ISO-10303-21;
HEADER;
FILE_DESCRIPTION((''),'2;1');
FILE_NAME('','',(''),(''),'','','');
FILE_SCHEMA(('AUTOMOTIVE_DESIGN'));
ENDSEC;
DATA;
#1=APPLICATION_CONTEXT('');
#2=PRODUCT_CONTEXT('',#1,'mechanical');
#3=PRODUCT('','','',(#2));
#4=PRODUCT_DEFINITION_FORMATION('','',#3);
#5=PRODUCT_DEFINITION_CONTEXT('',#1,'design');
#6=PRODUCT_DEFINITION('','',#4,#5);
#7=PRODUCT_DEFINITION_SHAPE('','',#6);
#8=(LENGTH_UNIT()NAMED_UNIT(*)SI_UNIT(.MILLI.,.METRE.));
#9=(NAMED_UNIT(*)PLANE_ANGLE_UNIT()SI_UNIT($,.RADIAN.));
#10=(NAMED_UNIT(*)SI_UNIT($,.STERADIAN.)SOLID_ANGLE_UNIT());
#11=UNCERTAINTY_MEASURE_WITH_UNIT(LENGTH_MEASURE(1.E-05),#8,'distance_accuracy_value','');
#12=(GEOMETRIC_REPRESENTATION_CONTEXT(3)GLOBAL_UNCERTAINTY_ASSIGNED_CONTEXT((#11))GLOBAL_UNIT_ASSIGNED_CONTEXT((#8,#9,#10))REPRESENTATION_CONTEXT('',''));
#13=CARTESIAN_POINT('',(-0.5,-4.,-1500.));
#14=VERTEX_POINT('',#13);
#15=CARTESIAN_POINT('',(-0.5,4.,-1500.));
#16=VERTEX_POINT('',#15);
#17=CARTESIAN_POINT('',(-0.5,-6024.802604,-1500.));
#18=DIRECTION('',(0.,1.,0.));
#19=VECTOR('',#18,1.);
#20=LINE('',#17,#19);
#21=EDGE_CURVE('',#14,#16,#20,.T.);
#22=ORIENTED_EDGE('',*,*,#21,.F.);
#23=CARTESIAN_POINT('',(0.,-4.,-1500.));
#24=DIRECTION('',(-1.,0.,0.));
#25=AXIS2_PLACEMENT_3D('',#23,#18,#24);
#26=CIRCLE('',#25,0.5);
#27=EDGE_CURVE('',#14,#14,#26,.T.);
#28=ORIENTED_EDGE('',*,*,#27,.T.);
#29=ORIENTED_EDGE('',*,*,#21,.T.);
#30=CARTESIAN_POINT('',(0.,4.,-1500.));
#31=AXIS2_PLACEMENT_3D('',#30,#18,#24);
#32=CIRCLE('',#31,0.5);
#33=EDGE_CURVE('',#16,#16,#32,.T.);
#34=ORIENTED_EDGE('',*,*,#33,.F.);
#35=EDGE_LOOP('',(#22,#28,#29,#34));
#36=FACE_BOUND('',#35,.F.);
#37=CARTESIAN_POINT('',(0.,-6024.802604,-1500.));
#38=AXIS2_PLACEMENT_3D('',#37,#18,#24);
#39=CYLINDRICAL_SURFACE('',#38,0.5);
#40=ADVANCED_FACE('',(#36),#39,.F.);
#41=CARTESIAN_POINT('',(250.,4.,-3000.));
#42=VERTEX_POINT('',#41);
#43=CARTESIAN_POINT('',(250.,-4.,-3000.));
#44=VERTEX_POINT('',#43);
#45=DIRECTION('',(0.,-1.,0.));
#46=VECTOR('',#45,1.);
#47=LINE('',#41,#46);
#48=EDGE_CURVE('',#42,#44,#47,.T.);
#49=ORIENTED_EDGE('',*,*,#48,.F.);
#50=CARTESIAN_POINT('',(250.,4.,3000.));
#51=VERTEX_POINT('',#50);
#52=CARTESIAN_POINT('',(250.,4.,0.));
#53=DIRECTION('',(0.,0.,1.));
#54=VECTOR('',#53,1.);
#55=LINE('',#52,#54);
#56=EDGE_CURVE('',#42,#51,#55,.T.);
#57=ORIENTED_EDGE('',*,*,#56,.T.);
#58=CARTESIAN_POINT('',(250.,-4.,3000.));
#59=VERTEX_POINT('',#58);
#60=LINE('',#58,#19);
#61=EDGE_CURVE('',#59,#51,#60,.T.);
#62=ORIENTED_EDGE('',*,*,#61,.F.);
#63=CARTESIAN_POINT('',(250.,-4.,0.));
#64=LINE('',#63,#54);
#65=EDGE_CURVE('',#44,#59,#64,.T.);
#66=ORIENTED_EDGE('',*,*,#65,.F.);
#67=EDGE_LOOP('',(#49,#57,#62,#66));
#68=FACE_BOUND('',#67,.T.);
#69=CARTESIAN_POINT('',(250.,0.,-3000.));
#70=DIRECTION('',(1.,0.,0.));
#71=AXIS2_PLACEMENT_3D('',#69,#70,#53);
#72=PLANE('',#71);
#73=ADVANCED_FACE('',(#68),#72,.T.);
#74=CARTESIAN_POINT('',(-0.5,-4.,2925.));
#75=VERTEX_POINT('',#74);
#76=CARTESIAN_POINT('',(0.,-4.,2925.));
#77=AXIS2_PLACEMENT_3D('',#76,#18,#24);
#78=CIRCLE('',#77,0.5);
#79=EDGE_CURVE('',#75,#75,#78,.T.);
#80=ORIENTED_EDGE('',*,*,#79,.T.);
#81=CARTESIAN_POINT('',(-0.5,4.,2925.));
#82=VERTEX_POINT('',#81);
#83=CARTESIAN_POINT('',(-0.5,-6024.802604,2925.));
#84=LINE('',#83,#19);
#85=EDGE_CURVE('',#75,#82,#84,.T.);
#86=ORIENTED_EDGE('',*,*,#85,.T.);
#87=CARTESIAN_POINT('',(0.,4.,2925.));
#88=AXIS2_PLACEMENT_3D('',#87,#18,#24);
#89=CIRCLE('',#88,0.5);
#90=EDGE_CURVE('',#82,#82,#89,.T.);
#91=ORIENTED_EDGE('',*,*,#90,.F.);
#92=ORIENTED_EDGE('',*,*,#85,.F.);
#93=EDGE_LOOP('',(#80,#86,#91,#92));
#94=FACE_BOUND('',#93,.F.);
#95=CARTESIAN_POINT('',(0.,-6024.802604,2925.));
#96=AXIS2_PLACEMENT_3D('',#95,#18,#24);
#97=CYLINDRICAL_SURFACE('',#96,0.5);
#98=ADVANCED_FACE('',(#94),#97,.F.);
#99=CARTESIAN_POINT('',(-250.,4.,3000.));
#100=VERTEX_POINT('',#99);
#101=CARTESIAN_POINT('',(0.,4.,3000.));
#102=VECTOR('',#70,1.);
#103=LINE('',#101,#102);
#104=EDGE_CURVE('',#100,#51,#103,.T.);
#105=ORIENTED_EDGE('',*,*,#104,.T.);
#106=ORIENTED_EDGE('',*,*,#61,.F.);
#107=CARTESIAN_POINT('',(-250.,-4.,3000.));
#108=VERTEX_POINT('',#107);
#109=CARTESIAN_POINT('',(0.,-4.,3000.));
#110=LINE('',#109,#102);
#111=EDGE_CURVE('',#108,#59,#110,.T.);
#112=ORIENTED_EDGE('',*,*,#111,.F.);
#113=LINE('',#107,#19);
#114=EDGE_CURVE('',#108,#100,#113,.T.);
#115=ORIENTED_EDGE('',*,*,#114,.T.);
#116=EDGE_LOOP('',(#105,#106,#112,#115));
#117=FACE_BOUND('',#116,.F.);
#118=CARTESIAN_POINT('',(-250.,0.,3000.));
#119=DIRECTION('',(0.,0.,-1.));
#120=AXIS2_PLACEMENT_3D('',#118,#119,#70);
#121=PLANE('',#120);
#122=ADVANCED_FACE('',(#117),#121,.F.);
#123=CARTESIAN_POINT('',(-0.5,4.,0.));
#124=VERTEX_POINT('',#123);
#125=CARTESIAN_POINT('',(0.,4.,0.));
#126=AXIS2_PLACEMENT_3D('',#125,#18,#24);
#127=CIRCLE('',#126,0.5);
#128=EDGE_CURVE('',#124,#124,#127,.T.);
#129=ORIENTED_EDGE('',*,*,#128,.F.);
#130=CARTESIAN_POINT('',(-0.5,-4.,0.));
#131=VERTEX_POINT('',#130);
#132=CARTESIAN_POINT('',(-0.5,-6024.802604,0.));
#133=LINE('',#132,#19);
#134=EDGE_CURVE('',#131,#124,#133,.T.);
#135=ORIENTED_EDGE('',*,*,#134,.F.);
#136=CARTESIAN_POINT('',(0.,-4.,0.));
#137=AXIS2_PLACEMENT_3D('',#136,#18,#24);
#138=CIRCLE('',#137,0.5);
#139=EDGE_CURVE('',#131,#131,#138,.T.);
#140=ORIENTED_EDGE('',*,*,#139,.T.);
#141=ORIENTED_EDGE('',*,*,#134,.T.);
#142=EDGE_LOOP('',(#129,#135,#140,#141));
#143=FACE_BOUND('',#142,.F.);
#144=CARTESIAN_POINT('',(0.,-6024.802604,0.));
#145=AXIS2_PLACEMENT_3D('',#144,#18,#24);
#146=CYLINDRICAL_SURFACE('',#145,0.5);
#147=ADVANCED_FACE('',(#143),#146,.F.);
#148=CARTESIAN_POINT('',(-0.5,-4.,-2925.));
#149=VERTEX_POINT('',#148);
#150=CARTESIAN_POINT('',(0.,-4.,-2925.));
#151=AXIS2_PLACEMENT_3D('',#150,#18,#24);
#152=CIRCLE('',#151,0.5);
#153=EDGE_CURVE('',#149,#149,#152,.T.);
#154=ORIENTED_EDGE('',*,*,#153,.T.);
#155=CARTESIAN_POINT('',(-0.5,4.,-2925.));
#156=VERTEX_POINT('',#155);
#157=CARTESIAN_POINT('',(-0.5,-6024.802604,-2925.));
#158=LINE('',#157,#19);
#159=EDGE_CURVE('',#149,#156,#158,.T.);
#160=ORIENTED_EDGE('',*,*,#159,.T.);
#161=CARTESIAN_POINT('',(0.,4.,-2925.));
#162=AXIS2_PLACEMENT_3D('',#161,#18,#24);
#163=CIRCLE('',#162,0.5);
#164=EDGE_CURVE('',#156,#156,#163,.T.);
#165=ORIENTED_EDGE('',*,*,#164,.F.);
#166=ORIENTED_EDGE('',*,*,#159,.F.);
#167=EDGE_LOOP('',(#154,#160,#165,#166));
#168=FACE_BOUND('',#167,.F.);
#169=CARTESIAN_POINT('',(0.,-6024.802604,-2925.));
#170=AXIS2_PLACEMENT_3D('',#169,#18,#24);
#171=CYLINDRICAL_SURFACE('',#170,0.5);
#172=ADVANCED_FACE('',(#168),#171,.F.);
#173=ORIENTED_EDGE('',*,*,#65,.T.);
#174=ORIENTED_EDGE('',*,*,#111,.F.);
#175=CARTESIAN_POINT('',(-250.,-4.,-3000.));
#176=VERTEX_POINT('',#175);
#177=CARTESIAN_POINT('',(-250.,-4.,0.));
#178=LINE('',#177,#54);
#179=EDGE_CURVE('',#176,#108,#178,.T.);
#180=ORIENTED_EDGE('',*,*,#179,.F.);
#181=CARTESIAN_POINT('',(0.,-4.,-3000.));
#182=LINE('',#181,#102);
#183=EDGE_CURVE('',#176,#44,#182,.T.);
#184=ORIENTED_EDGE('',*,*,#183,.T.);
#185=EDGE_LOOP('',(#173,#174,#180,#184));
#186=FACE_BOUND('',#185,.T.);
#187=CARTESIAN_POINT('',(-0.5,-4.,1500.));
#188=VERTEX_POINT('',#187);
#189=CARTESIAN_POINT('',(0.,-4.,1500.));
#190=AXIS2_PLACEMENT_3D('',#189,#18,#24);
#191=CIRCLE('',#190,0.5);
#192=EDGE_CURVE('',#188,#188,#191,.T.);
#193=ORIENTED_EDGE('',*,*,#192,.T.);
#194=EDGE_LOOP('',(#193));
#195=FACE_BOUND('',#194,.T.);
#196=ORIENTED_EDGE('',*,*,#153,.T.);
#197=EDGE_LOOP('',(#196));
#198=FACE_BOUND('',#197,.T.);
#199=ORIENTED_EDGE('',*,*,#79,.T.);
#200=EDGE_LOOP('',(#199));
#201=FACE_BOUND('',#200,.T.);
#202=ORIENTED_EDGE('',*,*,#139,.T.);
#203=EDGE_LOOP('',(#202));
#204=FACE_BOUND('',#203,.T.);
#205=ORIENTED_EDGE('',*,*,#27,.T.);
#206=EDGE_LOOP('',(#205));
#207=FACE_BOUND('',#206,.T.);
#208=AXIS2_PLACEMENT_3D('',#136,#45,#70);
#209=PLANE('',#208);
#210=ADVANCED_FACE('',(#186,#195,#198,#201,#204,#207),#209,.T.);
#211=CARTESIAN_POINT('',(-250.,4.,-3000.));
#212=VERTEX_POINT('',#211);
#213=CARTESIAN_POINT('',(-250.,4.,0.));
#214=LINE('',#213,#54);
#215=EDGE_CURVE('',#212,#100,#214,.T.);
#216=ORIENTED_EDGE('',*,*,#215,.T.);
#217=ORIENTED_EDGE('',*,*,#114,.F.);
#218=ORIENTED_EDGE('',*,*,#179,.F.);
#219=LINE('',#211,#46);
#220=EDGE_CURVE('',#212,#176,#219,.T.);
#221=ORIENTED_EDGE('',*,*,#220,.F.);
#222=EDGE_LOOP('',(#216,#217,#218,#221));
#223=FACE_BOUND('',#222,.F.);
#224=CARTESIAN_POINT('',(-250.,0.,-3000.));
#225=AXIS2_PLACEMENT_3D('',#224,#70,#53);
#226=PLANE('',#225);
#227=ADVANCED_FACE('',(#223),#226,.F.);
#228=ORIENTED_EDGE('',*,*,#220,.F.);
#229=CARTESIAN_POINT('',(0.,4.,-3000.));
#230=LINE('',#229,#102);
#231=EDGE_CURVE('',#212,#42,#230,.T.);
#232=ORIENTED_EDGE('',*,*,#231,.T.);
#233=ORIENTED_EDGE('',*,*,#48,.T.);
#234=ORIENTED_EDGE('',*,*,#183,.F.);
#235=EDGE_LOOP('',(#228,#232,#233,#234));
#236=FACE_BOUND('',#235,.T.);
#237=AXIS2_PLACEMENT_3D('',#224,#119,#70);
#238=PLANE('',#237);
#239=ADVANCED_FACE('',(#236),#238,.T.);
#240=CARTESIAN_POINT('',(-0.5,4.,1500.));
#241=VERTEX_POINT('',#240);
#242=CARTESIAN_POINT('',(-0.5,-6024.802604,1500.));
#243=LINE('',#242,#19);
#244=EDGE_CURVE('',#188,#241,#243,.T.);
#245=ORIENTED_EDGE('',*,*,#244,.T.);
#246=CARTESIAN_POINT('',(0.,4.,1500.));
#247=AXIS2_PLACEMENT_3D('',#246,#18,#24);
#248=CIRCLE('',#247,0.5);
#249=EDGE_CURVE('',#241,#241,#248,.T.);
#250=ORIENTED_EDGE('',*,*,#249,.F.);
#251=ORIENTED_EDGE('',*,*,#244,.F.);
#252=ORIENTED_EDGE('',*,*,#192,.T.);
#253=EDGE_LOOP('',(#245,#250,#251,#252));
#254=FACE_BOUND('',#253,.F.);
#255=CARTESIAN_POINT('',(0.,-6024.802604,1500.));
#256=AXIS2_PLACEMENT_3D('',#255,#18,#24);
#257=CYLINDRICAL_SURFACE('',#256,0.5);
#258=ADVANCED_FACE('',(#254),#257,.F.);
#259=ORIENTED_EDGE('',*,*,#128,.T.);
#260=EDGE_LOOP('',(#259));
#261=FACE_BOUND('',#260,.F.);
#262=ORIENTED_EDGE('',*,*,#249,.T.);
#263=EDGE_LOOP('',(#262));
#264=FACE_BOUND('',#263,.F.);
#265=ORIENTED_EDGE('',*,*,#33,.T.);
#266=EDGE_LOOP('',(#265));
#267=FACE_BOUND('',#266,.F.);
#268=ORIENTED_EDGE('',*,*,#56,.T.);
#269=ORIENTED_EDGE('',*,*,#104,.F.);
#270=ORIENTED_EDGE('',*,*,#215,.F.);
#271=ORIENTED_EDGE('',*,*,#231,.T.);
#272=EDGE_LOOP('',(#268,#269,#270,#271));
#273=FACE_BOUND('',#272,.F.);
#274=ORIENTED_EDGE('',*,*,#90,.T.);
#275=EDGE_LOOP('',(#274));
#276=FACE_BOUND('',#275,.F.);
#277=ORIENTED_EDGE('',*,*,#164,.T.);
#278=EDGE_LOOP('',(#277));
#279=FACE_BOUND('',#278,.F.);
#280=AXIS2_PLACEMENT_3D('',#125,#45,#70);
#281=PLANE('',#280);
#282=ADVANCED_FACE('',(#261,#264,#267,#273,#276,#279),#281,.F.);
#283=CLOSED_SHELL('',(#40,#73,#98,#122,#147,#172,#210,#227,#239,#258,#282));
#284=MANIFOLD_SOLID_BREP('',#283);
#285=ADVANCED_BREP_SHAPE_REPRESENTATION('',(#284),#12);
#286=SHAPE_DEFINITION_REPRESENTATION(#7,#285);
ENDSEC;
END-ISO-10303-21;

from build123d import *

# Parameters (mm, degrees)
F0_W     = 500
F0_H     = 6000
F1_DEPTH = 4
F3_D     = 1


with BuildPart() as f1:
    # F0 (on Front) → F1 (new body, symmetric)
    with BuildSketch(Plane.XZ):
        Rectangle(F0_W, F0_H)
    extrude(amount=F1_DEPTH, both=True)

    # F3 (through all)
    with Locations(Plane.XZ.offset(4)):
        with Locations((0, 2925), (0, 1500), (0, 0), (0, -1500), (0, -2925)):
            Hole(F3_D / 2)


solid = f1.part
